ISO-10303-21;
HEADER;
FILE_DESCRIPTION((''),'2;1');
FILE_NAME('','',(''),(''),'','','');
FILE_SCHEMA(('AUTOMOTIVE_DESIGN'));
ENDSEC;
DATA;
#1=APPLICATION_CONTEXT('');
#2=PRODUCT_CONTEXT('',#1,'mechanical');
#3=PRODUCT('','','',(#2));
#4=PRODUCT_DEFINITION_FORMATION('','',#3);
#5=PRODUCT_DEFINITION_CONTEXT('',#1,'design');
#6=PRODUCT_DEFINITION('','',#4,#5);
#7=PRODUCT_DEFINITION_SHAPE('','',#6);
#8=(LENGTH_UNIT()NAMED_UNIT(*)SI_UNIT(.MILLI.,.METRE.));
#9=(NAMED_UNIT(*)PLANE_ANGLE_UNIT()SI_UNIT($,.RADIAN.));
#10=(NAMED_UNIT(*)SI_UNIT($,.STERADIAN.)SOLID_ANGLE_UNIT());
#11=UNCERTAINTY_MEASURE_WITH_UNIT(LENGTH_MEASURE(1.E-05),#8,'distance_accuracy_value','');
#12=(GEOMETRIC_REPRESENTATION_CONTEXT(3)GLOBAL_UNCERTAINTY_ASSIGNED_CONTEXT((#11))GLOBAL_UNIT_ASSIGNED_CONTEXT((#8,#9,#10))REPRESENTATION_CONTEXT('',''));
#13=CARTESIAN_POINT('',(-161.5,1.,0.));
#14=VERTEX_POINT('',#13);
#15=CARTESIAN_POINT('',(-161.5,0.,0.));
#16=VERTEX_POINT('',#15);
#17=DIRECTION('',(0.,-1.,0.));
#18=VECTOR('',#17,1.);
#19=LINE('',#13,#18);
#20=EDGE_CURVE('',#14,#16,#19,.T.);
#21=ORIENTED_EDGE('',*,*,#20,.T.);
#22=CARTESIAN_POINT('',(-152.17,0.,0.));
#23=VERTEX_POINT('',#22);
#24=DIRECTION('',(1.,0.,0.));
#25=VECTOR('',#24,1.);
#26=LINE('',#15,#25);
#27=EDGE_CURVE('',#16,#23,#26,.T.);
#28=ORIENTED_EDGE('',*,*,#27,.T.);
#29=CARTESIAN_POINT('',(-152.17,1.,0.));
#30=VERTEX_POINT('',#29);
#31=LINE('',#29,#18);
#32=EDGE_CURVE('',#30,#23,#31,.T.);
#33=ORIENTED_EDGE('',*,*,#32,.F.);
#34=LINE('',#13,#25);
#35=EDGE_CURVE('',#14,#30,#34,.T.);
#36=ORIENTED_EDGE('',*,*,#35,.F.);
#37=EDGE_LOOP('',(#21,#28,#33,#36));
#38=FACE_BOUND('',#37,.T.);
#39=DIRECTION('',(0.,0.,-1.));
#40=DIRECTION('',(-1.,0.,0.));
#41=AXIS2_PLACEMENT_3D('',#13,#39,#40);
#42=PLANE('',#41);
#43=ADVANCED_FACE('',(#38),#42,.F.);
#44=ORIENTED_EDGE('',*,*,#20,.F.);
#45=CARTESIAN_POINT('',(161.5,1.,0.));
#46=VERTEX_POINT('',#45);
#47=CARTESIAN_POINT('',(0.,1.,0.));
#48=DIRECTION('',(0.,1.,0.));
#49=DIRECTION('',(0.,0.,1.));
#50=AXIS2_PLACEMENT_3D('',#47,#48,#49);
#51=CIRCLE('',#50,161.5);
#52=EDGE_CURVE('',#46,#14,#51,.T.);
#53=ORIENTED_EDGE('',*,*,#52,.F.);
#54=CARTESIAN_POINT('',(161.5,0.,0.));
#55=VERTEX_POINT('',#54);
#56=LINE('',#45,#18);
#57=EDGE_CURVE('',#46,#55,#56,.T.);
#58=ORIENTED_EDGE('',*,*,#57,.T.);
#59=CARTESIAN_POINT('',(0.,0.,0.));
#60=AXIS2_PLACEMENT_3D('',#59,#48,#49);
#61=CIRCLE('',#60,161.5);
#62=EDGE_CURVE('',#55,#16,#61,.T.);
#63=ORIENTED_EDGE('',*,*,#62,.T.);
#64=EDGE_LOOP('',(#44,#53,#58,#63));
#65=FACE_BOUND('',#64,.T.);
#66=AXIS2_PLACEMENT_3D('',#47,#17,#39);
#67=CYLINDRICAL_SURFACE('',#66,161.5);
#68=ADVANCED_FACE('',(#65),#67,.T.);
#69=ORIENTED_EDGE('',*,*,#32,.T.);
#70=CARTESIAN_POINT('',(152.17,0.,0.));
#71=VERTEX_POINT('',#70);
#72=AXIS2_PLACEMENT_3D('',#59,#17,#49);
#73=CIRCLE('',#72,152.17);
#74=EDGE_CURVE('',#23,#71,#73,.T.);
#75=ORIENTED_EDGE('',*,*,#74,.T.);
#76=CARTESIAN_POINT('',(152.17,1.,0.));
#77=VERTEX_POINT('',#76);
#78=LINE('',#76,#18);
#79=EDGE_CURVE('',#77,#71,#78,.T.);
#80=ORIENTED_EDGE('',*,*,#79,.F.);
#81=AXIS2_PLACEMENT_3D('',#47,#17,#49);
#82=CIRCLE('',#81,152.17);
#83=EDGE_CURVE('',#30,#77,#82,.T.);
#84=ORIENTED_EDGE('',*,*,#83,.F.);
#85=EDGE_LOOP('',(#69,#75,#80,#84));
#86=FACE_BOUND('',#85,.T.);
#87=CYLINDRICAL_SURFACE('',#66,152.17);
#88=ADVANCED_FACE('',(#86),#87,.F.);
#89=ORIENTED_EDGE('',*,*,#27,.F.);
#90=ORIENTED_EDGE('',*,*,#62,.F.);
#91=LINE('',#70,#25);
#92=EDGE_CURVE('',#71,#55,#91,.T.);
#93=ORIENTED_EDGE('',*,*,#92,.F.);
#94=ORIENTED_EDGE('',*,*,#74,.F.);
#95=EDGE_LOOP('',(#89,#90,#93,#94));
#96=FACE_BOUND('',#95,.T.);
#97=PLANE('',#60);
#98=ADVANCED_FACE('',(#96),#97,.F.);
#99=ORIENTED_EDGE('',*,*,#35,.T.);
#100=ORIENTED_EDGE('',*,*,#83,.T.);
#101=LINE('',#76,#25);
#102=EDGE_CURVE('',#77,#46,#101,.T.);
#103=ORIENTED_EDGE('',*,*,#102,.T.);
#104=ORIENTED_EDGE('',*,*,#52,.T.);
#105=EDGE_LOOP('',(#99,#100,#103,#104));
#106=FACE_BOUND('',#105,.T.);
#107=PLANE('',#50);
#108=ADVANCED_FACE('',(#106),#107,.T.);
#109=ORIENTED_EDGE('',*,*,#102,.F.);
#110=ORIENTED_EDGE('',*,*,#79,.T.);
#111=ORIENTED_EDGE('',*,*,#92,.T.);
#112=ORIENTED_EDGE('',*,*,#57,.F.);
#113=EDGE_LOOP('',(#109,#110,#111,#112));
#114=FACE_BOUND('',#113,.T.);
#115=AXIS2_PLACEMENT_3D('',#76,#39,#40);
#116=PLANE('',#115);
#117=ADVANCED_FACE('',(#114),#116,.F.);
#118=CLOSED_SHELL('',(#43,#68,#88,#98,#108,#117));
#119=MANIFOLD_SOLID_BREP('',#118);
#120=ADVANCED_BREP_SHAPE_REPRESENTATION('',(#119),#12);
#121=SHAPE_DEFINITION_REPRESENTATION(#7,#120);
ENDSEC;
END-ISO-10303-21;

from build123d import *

# Parameters (mm, degrees)
BOSS_EXTRUDE1_DEPTH = 1


with BuildPart() as part:
    # Sketch1 → Boss-Extrude1 (new body)
    with BuildSketch(Plane(origin=(0, 0, 0), x_dir=(1, 0, 0), z_dir=(0, 1, 0))):
        with BuildLine():
            Line((-161.5, 0), (-152.17, 0))
            ThreePointArc((-152.17, 0), (0, 152.17), (152.17, 0))
            Line((152.17, 0), (161.5, 0))
            ThreePointArc((161.5, 0), (0, 161.5), (-161.5, 0))
        make_face()
    extrude(amount=BOSS_EXTRUDE1_DEPTH)


solid = part.part
